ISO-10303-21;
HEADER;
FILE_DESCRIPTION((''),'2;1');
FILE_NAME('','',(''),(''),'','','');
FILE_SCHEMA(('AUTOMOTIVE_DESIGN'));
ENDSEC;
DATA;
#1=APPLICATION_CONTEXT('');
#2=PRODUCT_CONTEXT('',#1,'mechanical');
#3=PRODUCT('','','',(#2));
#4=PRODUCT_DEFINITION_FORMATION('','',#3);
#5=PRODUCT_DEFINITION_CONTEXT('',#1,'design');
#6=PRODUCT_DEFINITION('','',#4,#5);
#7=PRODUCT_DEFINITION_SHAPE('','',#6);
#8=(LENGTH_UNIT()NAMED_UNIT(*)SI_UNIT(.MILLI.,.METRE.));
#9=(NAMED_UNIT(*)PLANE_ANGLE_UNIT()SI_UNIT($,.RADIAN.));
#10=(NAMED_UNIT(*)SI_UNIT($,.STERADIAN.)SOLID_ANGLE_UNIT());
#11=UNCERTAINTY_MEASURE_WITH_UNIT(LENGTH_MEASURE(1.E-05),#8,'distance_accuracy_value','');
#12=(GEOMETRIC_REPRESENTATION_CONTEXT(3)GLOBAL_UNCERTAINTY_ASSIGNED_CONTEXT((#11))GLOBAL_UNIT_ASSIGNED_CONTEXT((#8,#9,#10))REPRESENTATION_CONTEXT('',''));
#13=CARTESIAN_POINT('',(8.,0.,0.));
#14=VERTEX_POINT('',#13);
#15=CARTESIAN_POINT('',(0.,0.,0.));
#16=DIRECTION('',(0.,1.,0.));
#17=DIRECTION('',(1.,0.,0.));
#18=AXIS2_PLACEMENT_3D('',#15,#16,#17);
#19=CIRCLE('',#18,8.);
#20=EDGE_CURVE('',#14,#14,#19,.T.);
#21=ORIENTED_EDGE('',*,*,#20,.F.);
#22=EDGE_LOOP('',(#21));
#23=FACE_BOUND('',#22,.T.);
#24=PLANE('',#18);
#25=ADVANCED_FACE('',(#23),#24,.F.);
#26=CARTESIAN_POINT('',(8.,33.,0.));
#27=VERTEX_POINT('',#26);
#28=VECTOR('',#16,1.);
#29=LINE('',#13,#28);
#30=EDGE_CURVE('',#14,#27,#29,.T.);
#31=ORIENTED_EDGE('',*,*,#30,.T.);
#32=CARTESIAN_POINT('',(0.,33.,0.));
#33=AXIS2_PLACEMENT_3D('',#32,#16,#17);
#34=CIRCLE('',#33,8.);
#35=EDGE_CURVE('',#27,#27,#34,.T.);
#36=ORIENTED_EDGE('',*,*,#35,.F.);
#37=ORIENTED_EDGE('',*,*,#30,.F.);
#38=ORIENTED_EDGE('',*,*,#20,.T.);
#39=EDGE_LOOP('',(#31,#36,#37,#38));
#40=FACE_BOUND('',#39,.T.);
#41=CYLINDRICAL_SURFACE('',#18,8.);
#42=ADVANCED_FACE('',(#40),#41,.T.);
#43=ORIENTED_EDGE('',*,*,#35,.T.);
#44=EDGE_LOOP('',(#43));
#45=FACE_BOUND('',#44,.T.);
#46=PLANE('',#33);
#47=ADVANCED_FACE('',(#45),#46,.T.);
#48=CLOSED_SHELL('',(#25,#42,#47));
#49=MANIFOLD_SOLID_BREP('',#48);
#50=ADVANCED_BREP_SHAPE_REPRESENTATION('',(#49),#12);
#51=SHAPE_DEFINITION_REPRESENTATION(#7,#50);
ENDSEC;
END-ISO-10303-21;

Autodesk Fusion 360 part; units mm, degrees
cylinder "CylinderPrimitive1" add diameter 16 height 33 placed x (1, 0, 0) y (0, 0, -1) z (0, 1, 0) at (0, 0, 0)
equation "d1 = ( 99 / 3 ) * 1 mm"
